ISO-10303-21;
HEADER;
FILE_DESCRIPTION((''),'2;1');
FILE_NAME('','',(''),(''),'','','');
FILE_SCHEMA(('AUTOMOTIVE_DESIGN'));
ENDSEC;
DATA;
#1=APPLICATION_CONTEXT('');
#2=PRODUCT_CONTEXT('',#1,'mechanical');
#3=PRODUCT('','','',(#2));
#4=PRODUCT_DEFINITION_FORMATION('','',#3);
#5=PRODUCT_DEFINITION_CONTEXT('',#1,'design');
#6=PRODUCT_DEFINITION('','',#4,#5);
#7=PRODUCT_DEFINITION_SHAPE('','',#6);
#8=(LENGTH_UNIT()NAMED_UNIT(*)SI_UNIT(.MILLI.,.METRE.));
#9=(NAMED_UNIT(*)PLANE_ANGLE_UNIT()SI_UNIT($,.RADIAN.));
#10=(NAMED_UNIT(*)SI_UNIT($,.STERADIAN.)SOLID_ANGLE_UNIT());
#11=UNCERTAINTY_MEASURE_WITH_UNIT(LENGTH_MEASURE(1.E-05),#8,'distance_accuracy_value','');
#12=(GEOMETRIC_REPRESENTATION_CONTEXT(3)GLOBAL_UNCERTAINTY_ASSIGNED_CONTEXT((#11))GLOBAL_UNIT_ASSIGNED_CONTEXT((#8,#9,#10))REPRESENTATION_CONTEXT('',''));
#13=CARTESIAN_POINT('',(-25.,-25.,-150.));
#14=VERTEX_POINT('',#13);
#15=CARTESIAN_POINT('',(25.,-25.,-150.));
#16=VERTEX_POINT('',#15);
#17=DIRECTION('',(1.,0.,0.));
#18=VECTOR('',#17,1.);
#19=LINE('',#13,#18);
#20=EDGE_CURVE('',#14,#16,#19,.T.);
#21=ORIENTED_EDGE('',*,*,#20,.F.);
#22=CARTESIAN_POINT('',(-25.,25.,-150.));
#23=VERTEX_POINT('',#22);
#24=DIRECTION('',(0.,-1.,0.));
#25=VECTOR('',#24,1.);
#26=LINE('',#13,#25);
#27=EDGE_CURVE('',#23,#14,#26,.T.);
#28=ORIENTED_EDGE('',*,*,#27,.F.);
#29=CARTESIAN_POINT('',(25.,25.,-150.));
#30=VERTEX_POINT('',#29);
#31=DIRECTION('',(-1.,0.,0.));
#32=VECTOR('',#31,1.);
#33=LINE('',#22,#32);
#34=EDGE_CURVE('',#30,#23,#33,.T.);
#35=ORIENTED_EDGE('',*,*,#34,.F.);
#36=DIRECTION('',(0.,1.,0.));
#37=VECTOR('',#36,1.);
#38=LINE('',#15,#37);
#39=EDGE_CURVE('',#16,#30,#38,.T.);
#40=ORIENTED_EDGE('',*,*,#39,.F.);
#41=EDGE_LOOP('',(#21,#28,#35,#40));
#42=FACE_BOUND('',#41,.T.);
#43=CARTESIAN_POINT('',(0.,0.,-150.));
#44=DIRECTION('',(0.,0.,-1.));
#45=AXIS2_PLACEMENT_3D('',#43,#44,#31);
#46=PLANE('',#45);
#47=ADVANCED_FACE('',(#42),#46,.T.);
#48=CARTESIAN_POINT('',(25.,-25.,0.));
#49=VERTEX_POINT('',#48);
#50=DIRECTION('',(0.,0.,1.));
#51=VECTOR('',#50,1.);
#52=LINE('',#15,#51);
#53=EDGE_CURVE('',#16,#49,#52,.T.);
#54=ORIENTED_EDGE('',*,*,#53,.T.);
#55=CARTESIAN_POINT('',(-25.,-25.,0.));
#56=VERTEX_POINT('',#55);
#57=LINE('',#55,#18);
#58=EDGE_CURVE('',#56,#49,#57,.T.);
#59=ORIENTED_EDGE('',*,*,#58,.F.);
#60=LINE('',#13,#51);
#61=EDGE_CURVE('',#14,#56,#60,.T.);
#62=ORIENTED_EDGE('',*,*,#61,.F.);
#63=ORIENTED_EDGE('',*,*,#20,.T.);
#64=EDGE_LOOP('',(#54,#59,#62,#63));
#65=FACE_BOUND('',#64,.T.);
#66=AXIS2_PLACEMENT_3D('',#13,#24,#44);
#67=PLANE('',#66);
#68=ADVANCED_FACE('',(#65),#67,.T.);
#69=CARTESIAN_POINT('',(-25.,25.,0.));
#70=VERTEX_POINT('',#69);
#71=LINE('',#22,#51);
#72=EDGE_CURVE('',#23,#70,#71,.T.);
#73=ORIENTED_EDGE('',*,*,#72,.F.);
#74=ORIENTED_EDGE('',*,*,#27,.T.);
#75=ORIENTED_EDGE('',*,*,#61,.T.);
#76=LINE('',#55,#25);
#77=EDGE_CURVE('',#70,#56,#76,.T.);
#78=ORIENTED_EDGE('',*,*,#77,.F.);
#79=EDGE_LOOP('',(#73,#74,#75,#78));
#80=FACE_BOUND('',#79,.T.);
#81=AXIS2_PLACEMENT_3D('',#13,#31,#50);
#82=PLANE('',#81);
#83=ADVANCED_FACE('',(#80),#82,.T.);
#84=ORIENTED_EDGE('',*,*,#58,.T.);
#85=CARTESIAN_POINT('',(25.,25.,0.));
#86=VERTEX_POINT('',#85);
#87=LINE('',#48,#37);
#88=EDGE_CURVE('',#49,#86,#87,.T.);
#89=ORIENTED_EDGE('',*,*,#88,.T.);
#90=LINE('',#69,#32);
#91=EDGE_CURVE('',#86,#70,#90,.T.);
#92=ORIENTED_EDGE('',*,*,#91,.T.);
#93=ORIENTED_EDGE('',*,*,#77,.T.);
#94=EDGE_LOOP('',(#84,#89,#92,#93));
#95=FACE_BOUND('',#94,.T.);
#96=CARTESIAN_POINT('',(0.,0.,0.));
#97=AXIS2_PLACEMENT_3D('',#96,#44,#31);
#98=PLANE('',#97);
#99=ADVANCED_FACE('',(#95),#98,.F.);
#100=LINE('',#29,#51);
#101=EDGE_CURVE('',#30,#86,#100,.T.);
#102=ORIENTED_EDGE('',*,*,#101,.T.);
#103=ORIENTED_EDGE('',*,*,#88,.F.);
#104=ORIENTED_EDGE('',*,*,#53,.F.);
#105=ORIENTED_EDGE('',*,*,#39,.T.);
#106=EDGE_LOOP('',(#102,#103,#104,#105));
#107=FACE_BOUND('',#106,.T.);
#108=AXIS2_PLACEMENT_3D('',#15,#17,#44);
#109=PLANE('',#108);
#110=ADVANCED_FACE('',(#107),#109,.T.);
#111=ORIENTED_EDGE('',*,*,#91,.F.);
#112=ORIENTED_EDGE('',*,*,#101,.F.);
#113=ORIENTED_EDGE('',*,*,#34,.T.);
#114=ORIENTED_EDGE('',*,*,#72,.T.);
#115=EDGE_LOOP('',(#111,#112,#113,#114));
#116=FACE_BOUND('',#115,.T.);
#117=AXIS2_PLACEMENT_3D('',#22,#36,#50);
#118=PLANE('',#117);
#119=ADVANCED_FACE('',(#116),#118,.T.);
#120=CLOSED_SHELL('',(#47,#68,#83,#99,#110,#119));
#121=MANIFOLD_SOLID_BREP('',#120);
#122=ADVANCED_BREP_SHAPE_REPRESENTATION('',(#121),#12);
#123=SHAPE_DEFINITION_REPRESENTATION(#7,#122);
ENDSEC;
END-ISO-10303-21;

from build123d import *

# Parameters (mm, degrees)
SKETCH1_W           = 50
SKETCH1_H           = 50
BOSS_EXTRUDE1_DEPTH = 150


with BuildPart() as part:
    # Sketch1 → Boss-Extrude1 (new body)
    with BuildSketch(Plane.XY):
        Rectangle(SKETCH1_W, SKETCH1_H)
    extrude(amount=-BOSS_EXTRUDE1_DEPTH)


solid = part.part
